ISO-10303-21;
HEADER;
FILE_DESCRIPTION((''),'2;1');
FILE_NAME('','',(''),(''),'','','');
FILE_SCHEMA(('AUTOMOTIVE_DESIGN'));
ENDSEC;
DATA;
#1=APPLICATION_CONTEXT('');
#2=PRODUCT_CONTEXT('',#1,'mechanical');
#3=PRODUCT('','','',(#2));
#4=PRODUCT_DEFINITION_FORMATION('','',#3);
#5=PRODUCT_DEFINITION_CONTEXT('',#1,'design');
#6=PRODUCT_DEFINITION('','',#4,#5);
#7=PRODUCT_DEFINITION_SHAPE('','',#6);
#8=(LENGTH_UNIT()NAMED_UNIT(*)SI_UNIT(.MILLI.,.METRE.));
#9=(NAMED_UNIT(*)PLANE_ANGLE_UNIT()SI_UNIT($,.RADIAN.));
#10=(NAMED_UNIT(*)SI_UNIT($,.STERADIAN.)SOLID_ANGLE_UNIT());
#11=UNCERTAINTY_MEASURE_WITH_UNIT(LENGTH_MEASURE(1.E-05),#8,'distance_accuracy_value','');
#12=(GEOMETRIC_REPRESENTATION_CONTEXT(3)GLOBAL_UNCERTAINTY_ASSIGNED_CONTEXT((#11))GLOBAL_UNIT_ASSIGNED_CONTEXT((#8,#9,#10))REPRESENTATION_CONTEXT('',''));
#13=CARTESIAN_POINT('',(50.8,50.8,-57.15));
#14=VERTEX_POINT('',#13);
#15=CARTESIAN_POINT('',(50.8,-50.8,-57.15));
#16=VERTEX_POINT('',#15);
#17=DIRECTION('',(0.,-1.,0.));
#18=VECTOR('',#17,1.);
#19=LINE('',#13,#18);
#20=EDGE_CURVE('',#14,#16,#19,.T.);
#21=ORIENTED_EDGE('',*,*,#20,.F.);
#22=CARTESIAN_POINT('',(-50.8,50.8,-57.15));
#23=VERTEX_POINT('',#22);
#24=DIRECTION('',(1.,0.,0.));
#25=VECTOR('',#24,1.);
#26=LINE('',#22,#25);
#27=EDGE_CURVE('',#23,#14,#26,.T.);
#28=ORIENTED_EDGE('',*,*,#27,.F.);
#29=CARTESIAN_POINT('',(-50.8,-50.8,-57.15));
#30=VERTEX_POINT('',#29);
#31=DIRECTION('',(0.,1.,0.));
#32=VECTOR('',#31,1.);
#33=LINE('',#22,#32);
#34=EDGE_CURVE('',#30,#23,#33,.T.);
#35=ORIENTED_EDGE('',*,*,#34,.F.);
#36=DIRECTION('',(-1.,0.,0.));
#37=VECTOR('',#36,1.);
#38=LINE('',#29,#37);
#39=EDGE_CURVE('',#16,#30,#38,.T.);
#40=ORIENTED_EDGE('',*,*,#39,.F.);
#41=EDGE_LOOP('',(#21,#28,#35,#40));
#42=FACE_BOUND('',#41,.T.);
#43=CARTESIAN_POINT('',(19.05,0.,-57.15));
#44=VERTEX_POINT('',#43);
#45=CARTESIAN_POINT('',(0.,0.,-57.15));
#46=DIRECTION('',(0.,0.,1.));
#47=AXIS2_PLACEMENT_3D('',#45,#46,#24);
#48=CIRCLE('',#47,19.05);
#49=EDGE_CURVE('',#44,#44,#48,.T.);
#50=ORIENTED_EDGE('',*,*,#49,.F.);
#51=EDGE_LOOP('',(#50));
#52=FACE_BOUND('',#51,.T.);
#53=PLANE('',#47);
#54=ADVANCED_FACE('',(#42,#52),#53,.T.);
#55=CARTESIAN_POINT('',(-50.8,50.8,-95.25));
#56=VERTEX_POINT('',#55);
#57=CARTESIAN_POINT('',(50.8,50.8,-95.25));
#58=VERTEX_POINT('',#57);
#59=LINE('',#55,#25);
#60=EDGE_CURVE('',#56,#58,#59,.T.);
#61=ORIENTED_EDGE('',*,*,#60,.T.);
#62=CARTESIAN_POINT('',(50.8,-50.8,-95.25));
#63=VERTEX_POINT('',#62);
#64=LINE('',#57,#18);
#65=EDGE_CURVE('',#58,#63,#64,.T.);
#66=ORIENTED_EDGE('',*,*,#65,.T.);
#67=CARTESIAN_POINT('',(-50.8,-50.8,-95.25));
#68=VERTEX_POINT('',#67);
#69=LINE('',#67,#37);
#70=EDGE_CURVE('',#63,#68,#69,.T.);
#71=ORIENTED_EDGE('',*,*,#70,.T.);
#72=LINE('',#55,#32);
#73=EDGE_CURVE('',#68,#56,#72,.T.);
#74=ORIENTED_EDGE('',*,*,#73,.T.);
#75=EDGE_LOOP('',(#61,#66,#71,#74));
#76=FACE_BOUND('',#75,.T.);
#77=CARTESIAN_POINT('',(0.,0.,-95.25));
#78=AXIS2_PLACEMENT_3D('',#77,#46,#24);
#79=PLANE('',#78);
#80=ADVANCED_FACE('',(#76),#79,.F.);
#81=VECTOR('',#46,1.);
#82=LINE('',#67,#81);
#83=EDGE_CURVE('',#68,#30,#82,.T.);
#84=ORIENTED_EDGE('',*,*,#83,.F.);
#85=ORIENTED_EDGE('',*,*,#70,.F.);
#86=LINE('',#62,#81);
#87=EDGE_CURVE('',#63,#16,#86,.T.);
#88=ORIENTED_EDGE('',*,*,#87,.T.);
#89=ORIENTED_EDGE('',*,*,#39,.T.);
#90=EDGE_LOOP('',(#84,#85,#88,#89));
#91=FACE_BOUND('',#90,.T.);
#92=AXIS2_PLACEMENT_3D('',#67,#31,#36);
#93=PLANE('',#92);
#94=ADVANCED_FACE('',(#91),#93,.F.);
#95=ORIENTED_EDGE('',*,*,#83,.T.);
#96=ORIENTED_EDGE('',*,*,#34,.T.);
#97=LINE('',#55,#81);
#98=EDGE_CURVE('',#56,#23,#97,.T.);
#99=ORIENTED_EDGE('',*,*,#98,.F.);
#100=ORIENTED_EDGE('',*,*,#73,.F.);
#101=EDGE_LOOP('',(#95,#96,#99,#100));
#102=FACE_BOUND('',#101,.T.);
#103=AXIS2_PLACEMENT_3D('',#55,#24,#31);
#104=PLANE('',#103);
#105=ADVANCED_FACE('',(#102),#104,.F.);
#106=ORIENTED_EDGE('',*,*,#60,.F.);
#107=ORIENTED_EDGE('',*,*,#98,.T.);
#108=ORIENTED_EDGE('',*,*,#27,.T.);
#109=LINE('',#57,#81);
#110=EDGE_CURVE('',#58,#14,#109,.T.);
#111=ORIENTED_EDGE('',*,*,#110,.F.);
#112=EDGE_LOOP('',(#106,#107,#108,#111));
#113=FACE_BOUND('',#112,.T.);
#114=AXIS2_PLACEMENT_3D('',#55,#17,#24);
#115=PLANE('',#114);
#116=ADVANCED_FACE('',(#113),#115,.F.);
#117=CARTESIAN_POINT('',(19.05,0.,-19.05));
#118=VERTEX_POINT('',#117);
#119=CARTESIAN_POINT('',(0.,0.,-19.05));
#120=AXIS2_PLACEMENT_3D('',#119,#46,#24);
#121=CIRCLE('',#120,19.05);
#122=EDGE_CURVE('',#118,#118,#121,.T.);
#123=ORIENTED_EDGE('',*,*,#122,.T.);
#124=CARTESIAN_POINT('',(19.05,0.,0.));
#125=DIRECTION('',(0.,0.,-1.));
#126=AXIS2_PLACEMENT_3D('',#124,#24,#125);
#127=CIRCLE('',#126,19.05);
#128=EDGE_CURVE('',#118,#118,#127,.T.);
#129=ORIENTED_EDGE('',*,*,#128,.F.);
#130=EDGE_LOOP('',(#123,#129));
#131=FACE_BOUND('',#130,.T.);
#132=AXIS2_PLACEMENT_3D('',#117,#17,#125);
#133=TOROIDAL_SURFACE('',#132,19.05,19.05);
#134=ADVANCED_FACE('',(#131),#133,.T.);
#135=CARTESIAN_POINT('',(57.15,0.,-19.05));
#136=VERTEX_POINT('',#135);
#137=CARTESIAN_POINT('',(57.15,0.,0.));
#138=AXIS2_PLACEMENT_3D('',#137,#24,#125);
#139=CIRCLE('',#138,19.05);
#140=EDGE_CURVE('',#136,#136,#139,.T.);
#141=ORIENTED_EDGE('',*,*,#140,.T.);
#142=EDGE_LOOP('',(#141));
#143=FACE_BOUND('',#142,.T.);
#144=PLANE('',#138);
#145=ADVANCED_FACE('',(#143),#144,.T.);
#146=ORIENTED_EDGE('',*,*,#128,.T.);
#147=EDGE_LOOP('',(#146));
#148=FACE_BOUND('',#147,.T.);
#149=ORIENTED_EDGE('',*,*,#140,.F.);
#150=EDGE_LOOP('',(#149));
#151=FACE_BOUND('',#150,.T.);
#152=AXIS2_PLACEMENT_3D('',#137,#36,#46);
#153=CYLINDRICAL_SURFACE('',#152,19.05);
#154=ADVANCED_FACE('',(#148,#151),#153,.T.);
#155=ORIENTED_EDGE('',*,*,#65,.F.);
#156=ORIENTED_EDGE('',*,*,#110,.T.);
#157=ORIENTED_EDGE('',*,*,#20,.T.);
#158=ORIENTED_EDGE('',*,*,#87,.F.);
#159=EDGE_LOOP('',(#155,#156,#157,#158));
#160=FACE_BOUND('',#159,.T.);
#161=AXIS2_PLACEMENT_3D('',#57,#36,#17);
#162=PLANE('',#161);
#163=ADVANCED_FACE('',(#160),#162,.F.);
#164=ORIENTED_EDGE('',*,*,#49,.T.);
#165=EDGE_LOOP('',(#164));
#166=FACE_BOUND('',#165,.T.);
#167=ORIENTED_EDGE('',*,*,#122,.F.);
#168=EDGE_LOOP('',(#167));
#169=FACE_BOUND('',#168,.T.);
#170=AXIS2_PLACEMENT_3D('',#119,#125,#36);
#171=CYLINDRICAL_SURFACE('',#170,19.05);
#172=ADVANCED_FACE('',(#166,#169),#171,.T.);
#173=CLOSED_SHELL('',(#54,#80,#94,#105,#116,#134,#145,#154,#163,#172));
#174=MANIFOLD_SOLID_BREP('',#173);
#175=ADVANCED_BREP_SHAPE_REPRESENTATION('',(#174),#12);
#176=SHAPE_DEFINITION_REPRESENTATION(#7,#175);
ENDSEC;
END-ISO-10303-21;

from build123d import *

# Parameters (mm, degrees)
SKETCH2_R           = 19.05
SKETCH3_W           = 101.6
SKETCH3_H           = 101.6
BOSS_EXTRUDE1_DEPTH = 38.1


with BuildPart() as part:
    # Sweep1: sweep along a path in Sketch1
    with BuildLine(Plane(origin=(0, 0, 0), x_dir=(1, 0, 0), z_dir=(0, 1, 0))) as sweep1_path:
        Line((57.15, 0), (19.05, 0))
        ThreePointArc((19.05, 0), (5.579615818, 5.579615818), (0, 19.05))
        Line((0, 19.05), (0, 57.15))
    # Sketch2 → Sweep1 (sweep)
    with BuildSketch(Plane(origin=(57.15, 0, 0), x_dir=(0, 0, -1), z_dir=(1, 0, 0))):
        Circle(SKETCH2_R)
    sweep(path=sweep1_path.line)

    # Sketch3 → Boss-Extrude1 (add)
    with BuildSketch(Plane(origin=(0, 0, -57.15), x_dir=(-1, 0, 0), z_dir=(0, 0, -1))):
        Rectangle(SKETCH3_W, SKETCH3_H)
    extrude(amount=BOSS_EXTRUDE1_DEPTH)


solid = part.part
